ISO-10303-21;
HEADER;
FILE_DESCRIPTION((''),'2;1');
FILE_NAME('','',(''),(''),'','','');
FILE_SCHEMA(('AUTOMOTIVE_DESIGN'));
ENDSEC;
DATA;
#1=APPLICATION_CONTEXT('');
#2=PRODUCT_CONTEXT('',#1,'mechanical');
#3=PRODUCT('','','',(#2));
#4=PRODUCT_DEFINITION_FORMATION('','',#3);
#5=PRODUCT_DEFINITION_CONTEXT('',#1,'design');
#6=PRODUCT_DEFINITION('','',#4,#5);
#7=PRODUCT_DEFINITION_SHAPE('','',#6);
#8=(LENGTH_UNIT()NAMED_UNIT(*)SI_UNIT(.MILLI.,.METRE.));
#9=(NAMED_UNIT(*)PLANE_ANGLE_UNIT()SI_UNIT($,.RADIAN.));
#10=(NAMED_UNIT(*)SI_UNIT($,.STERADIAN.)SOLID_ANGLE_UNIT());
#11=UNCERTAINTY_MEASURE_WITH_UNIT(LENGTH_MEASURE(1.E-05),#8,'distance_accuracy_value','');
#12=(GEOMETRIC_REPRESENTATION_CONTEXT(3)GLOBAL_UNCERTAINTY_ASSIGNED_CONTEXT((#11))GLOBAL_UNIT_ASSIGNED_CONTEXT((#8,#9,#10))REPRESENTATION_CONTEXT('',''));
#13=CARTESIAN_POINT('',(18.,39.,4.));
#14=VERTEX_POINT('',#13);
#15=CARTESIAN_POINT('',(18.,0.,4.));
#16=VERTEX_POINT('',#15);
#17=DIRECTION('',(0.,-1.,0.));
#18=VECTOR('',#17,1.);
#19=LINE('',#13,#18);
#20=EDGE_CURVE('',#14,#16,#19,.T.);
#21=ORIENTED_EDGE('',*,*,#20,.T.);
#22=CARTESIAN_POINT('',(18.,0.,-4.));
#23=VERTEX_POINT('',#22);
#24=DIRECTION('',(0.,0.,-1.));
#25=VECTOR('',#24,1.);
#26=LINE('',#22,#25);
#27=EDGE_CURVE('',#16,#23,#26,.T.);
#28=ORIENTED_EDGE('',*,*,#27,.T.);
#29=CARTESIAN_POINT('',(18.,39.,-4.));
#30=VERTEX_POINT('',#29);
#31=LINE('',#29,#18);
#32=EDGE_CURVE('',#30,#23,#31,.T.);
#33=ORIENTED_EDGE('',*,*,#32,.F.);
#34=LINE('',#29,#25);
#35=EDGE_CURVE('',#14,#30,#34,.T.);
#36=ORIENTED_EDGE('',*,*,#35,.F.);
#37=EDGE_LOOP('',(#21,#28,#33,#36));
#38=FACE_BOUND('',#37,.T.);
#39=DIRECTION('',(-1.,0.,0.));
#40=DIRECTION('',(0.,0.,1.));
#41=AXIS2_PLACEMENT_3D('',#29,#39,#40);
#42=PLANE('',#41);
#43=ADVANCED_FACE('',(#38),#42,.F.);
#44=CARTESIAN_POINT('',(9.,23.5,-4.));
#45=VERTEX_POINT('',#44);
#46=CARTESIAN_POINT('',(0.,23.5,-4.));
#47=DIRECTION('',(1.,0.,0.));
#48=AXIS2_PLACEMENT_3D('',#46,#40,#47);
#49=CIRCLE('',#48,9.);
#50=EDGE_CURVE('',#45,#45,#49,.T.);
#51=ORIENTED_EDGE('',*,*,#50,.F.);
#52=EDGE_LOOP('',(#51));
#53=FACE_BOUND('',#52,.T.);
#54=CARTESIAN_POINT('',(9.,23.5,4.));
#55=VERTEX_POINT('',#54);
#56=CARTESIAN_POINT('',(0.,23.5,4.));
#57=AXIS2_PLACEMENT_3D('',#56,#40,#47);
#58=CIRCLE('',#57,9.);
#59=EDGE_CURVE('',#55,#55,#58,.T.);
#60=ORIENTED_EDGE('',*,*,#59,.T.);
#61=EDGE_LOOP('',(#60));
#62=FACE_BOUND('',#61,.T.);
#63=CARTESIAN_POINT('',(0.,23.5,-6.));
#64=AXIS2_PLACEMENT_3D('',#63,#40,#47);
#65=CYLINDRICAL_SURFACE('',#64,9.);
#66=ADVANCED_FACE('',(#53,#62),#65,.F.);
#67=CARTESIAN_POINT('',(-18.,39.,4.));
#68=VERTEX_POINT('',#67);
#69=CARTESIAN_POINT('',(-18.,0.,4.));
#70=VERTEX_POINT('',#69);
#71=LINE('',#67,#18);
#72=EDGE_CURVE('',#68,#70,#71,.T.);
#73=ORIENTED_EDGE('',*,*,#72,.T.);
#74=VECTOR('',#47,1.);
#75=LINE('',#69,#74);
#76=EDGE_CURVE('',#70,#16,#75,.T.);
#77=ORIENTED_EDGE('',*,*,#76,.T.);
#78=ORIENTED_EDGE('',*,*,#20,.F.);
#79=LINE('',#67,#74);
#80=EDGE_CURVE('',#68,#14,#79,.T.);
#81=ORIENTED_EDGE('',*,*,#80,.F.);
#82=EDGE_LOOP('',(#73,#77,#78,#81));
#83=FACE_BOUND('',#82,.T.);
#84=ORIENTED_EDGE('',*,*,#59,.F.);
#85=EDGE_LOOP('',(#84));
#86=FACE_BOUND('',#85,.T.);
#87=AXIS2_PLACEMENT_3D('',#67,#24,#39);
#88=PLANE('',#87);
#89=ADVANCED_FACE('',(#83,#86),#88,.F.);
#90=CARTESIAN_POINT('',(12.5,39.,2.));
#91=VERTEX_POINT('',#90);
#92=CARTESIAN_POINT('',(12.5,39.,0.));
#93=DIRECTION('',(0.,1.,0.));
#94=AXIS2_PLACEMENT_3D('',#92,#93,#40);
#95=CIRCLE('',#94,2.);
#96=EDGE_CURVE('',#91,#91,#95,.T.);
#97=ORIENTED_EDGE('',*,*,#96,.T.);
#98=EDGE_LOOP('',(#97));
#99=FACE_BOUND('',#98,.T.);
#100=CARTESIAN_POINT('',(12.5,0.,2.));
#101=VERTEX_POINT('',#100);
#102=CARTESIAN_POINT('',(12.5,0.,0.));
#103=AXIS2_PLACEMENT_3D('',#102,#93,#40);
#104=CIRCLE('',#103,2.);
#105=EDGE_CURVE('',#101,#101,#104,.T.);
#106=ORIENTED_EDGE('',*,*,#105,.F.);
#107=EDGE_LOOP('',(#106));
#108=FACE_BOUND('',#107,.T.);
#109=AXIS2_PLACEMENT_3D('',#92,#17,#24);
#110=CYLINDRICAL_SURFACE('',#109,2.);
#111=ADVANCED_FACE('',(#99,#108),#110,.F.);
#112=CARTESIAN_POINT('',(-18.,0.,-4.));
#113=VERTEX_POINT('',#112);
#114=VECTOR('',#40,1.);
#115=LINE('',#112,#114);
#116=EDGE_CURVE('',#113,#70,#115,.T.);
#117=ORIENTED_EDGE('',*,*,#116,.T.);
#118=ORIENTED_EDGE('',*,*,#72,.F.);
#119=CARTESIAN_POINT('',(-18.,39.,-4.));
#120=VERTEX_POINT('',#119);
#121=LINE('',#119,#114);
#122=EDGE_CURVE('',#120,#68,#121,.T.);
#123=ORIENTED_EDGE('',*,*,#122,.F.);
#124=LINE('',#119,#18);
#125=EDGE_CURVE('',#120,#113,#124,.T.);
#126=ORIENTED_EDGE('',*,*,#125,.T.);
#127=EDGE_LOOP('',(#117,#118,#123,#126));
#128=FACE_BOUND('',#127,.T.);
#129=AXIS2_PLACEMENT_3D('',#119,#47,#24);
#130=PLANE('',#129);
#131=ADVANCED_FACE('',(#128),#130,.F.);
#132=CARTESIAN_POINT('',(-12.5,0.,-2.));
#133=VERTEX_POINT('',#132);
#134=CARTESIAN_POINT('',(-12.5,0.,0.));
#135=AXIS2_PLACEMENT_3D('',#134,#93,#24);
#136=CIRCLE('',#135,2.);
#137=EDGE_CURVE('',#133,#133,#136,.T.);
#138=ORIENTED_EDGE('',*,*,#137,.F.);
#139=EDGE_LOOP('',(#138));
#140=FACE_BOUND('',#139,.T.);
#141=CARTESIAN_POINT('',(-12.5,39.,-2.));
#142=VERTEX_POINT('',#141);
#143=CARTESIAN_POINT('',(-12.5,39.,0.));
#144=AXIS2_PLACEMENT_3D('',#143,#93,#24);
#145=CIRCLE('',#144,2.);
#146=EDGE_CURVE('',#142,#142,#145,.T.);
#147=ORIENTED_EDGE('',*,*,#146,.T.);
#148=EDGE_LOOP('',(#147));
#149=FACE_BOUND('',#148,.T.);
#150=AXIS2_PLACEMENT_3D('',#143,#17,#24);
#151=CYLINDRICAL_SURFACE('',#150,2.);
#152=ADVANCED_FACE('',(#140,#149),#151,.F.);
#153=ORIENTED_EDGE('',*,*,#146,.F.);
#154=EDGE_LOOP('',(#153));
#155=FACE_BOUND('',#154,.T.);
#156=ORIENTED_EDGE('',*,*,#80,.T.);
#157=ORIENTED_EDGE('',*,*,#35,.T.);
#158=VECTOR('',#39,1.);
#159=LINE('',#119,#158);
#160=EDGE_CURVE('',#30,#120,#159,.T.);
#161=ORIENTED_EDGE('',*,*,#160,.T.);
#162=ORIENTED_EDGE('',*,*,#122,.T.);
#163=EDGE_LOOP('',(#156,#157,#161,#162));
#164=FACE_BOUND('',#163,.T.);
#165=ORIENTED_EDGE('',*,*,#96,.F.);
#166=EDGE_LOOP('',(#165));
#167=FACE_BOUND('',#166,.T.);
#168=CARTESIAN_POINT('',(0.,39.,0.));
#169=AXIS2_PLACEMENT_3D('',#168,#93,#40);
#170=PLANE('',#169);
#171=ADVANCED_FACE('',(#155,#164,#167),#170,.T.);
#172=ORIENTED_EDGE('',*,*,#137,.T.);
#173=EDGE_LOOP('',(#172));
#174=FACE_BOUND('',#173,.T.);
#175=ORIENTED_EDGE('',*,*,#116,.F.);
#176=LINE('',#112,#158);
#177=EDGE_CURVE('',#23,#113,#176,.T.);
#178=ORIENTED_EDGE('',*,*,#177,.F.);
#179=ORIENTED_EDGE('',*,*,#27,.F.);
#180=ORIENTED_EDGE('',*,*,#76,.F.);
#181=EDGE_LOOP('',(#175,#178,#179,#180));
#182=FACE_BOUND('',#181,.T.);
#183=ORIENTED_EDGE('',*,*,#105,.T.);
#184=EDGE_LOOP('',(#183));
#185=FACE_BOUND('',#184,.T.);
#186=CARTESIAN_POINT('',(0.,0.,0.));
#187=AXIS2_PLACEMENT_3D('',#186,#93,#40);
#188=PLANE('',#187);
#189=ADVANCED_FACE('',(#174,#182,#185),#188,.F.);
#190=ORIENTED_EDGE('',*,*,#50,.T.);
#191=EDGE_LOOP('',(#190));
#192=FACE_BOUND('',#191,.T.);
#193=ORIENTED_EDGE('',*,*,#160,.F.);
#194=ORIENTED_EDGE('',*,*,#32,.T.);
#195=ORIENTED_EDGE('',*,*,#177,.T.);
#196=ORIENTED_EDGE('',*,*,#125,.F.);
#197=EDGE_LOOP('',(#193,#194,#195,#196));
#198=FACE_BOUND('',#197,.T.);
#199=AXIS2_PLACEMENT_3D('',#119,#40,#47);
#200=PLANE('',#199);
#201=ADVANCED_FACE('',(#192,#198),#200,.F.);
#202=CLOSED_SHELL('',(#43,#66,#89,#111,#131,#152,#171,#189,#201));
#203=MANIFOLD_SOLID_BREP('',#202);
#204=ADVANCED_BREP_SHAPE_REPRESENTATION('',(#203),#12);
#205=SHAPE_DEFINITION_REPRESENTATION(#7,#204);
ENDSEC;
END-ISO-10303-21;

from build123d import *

# Parameters (mm, degrees)
SKETCH_1_W          = 36
SKETCH_1_H          = 8
SKETCH_1_R          = 2
EXTRUDE_1_DEPTH     = 39
SKETCH_3_R          = 9
CUT_EXTRUDE_1_DEPTH = 10


with BuildPart() as part:
    # 草图1 → 凸台-拉伸1 (new body)
    with BuildSketch(Plane(origin=(0, 0, 0), x_dir=(1, 0, 0), z_dir=(0, 1, 0))):
        Rectangle(SKETCH_1_W, SKETCH_1_H)
        with Locations(Location((12.5, 0, 0), (0, 0, 270))):
            Circle(SKETCH_1_R, mode=Mode.SUBTRACT)
        with Locations(Location((-12.5, 0, 0), (0, 0, 90))):
            Circle(SKETCH_1_R, mode=Mode.SUBTRACT)
    extrude(amount=EXTRUDE_1_DEPTH)

    # 草图3 → 切除-拉伸1 (cut)
    with BuildSketch(Plane.XY.offset(4)):
        with Locations((0, 23.5)):
            Circle(SKETCH_3_R)
    extrude(amount=-CUT_EXTRUDE_1_DEPTH, mode=Mode.SUBTRACT)


solid = part.part
